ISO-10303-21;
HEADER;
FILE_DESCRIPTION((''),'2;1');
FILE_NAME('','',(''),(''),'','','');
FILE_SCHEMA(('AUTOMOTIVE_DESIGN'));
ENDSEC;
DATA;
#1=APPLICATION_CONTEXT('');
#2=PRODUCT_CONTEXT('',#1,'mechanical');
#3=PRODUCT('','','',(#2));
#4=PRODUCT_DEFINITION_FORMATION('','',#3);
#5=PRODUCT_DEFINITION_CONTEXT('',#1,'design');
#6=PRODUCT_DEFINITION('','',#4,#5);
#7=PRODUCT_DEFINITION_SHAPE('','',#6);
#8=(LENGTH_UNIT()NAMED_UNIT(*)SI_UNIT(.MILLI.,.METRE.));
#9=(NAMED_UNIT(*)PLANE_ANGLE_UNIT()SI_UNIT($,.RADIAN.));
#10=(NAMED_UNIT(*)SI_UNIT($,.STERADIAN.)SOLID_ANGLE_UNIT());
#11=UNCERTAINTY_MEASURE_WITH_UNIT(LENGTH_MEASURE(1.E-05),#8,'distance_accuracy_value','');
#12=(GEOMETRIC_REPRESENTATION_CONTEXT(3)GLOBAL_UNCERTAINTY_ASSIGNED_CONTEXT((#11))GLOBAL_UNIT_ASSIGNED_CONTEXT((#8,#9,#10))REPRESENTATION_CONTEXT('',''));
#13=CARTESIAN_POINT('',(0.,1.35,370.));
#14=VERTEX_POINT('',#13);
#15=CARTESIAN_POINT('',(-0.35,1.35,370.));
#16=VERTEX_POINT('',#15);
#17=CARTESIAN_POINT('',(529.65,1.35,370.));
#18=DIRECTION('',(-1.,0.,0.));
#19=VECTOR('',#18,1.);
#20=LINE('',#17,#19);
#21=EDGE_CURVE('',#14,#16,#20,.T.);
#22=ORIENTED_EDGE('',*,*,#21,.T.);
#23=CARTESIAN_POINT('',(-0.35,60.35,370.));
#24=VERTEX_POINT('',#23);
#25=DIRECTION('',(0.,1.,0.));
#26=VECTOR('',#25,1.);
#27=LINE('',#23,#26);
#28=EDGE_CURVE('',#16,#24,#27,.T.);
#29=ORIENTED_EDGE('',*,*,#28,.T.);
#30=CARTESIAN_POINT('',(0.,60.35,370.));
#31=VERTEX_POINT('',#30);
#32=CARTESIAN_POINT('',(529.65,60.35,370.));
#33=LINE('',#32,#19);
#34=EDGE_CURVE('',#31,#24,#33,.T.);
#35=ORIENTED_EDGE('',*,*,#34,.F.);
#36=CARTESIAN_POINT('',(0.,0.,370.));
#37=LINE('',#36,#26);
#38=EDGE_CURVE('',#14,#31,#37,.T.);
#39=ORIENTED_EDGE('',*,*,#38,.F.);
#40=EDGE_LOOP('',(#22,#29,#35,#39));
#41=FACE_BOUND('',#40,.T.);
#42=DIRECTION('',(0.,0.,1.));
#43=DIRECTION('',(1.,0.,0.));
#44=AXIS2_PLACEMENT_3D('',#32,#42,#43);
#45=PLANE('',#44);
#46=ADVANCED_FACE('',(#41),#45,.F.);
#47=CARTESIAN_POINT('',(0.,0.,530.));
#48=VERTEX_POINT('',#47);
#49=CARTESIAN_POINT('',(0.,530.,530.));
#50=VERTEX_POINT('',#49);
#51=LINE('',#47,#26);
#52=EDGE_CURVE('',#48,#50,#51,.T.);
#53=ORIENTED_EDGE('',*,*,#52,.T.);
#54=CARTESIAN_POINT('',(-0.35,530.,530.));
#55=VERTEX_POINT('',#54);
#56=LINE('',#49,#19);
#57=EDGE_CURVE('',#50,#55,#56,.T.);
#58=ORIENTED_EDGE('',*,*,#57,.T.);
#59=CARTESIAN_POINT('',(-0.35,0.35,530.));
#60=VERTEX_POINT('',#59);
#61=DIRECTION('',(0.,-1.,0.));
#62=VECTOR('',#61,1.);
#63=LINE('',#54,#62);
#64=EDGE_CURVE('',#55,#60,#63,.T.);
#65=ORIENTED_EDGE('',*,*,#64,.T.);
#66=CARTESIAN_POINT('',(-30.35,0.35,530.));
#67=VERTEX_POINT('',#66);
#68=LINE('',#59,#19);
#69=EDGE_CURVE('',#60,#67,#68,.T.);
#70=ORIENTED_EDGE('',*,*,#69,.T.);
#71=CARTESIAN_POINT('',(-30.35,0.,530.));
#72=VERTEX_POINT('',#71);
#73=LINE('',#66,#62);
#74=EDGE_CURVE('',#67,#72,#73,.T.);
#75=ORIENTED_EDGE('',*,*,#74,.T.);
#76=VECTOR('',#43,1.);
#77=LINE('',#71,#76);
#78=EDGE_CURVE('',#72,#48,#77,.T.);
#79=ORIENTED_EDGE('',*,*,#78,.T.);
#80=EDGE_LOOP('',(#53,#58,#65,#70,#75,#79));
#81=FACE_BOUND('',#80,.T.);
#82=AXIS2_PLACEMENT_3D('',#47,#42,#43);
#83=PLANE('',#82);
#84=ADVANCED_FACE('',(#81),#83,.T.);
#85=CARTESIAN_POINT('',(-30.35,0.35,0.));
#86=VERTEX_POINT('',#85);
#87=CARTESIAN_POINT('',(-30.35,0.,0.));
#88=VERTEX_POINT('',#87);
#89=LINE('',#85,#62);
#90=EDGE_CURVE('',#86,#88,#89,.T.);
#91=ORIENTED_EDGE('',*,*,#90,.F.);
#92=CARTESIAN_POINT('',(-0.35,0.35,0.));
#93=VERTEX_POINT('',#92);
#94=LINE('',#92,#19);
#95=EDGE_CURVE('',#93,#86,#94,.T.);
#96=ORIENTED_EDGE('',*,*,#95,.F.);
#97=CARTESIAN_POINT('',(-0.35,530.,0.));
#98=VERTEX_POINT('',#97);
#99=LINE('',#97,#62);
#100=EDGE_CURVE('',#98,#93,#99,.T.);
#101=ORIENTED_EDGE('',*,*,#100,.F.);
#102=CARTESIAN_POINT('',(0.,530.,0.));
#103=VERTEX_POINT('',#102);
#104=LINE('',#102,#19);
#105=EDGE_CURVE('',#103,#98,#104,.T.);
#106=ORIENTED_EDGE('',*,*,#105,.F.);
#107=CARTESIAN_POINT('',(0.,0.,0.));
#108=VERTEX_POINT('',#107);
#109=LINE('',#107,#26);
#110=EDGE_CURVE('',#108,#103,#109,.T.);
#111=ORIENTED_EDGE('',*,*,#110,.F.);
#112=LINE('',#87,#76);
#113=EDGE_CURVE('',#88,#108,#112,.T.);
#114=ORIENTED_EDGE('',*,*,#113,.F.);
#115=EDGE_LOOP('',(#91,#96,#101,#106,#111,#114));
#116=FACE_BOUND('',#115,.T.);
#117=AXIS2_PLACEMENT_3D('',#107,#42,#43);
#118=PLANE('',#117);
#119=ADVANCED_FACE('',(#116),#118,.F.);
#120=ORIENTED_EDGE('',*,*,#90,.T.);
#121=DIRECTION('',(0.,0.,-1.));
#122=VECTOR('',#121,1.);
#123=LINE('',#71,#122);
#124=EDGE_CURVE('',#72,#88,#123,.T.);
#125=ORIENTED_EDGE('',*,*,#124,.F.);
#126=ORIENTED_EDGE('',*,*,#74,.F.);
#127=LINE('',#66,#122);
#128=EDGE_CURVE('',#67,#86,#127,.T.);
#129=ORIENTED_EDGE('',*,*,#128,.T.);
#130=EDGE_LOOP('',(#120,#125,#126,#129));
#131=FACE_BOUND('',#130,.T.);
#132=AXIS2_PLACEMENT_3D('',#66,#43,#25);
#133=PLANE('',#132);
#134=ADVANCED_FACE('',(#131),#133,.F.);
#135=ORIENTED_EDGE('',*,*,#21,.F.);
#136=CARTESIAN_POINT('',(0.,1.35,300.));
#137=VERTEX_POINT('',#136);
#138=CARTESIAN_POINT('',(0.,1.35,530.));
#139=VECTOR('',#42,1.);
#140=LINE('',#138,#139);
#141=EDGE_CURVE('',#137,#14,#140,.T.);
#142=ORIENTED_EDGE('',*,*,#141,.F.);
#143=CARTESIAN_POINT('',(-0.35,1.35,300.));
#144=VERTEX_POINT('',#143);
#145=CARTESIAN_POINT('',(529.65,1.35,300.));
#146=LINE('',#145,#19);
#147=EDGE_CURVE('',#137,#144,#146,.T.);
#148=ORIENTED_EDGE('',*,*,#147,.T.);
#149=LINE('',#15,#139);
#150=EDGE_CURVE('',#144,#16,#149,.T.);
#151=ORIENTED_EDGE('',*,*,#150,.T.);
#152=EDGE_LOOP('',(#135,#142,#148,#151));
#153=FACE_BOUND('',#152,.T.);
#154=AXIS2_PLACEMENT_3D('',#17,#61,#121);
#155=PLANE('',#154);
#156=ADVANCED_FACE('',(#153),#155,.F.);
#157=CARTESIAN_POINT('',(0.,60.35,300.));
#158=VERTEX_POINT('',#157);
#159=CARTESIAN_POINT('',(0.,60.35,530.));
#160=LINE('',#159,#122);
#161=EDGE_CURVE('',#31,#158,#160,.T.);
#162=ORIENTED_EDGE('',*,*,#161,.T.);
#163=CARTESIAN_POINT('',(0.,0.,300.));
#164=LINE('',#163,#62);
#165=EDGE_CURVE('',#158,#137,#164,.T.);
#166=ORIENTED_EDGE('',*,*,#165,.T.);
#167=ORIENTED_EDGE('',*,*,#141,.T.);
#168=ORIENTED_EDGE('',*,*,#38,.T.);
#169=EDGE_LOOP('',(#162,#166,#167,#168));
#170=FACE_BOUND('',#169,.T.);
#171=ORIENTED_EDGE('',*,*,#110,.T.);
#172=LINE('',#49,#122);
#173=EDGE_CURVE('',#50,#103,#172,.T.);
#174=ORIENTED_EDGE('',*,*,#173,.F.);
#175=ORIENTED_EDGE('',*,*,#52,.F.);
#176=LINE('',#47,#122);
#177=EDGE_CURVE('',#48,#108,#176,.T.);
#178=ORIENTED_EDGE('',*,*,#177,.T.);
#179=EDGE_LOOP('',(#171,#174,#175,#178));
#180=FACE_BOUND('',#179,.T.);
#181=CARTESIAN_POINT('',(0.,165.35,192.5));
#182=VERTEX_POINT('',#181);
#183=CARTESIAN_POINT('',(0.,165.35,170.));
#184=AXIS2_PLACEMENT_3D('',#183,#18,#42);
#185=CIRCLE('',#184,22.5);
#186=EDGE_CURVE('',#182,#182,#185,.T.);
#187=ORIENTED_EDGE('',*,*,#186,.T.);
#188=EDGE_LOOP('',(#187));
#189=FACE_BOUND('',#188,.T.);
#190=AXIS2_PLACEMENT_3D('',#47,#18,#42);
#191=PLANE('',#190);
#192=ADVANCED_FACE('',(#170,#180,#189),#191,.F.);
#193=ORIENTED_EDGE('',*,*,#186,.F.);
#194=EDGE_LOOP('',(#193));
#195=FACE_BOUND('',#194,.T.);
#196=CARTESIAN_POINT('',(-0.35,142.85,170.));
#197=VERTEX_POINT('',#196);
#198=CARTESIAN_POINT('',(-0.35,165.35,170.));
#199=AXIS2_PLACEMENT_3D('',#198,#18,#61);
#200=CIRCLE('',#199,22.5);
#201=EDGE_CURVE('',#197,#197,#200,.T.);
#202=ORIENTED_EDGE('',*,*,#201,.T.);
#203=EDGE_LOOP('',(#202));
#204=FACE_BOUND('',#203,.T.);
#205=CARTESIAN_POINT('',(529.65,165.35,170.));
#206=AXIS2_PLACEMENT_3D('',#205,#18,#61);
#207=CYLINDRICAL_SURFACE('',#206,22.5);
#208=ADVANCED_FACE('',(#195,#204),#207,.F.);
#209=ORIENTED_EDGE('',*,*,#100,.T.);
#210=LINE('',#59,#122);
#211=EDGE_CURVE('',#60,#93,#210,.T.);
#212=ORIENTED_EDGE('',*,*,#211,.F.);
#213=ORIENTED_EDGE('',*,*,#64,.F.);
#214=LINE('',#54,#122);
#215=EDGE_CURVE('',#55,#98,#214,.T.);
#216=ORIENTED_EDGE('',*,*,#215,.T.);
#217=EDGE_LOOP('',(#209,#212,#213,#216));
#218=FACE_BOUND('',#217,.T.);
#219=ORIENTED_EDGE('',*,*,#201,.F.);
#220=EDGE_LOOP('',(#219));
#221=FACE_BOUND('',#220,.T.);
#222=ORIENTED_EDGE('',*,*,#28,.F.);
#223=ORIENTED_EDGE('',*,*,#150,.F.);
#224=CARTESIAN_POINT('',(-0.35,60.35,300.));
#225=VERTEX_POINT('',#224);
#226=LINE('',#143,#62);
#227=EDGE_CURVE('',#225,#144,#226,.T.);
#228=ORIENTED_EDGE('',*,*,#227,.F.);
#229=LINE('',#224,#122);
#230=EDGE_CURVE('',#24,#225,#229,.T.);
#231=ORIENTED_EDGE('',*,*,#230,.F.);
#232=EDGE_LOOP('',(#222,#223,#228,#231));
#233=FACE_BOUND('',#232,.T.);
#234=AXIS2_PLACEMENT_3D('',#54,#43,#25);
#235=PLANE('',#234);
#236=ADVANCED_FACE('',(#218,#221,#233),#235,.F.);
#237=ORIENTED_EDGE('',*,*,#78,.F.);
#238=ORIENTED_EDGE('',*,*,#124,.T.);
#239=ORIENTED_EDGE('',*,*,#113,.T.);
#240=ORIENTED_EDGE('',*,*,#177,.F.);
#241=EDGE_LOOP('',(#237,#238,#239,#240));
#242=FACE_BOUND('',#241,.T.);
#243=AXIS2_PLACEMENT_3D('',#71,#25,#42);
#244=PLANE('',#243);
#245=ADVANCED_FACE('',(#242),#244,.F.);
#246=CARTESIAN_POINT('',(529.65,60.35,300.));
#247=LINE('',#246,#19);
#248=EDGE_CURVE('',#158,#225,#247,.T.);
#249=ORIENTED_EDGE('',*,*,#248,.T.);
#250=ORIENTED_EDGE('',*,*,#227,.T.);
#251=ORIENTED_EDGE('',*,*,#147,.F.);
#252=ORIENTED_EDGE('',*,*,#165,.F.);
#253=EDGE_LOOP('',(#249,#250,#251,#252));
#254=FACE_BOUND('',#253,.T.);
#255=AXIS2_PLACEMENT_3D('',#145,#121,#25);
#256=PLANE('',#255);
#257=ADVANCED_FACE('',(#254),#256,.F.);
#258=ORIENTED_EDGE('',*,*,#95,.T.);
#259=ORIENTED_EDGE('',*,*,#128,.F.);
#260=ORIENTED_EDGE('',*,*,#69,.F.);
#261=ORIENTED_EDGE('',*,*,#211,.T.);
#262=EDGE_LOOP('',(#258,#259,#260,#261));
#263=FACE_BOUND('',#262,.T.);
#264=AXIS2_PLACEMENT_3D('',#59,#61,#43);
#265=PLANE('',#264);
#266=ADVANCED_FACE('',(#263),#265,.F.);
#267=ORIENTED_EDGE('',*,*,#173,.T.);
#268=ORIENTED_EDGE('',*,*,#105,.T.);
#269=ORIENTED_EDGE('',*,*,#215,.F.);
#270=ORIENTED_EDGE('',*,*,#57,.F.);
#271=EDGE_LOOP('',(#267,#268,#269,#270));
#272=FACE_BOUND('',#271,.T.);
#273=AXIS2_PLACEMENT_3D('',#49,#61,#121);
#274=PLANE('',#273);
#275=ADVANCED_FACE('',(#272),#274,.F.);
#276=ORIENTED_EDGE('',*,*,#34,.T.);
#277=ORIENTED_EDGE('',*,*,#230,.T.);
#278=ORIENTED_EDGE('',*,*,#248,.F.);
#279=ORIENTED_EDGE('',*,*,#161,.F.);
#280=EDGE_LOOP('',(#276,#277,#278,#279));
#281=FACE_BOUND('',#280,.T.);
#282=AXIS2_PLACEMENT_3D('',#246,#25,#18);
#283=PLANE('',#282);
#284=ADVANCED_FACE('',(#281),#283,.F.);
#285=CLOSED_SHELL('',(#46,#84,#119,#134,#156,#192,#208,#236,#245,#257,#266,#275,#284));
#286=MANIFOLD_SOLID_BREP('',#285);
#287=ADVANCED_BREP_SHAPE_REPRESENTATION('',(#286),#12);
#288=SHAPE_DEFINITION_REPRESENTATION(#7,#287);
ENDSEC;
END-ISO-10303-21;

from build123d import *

# Parameters (mm, degrees)
BOSS_EXTRUDE1_DEPTH = 530
SKETCH2_R           = 22.5
CUT_EXTRUDE1_DEPTH  = 530
SKETCH3_W           = 70
SKETCH3_H           = 59
CUT_EXTRUDE2_DEPTH  = 530


with BuildPart() as part:
    # Sketch1 → Boss-Extrude1 (new body)
    with BuildSketch(Plane.XY):
        Polygon((0, 0), (0, 530), (-0.35, 530), (-0.35, 0.35), (-30.35, 0.35), (-30.35, 0), align=None)
    extrude(amount=BOSS_EXTRUDE1_DEPTH)

    # Sketch2 → Cut-Extrude1 (cut)
    with BuildSketch(Plane.ZY.offset(0.35)):
        with Locations((170, 165.35)):
            Circle(SKETCH2_R)
    extrude(amount=-CUT_EXTRUDE1_DEPTH, mode=Mode.SUBTRACT)

    # Sketch3 → Cut-Extrude2 (cut)
    with BuildSketch(Plane.ZY.offset(0.35)):
        with Locations((335, 30.85)):
            Rectangle(SKETCH3_W, SKETCH3_H)
    extrude(amount=-CUT_EXTRUDE2_DEPTH, mode=Mode.SUBTRACT)


solid = part.part
